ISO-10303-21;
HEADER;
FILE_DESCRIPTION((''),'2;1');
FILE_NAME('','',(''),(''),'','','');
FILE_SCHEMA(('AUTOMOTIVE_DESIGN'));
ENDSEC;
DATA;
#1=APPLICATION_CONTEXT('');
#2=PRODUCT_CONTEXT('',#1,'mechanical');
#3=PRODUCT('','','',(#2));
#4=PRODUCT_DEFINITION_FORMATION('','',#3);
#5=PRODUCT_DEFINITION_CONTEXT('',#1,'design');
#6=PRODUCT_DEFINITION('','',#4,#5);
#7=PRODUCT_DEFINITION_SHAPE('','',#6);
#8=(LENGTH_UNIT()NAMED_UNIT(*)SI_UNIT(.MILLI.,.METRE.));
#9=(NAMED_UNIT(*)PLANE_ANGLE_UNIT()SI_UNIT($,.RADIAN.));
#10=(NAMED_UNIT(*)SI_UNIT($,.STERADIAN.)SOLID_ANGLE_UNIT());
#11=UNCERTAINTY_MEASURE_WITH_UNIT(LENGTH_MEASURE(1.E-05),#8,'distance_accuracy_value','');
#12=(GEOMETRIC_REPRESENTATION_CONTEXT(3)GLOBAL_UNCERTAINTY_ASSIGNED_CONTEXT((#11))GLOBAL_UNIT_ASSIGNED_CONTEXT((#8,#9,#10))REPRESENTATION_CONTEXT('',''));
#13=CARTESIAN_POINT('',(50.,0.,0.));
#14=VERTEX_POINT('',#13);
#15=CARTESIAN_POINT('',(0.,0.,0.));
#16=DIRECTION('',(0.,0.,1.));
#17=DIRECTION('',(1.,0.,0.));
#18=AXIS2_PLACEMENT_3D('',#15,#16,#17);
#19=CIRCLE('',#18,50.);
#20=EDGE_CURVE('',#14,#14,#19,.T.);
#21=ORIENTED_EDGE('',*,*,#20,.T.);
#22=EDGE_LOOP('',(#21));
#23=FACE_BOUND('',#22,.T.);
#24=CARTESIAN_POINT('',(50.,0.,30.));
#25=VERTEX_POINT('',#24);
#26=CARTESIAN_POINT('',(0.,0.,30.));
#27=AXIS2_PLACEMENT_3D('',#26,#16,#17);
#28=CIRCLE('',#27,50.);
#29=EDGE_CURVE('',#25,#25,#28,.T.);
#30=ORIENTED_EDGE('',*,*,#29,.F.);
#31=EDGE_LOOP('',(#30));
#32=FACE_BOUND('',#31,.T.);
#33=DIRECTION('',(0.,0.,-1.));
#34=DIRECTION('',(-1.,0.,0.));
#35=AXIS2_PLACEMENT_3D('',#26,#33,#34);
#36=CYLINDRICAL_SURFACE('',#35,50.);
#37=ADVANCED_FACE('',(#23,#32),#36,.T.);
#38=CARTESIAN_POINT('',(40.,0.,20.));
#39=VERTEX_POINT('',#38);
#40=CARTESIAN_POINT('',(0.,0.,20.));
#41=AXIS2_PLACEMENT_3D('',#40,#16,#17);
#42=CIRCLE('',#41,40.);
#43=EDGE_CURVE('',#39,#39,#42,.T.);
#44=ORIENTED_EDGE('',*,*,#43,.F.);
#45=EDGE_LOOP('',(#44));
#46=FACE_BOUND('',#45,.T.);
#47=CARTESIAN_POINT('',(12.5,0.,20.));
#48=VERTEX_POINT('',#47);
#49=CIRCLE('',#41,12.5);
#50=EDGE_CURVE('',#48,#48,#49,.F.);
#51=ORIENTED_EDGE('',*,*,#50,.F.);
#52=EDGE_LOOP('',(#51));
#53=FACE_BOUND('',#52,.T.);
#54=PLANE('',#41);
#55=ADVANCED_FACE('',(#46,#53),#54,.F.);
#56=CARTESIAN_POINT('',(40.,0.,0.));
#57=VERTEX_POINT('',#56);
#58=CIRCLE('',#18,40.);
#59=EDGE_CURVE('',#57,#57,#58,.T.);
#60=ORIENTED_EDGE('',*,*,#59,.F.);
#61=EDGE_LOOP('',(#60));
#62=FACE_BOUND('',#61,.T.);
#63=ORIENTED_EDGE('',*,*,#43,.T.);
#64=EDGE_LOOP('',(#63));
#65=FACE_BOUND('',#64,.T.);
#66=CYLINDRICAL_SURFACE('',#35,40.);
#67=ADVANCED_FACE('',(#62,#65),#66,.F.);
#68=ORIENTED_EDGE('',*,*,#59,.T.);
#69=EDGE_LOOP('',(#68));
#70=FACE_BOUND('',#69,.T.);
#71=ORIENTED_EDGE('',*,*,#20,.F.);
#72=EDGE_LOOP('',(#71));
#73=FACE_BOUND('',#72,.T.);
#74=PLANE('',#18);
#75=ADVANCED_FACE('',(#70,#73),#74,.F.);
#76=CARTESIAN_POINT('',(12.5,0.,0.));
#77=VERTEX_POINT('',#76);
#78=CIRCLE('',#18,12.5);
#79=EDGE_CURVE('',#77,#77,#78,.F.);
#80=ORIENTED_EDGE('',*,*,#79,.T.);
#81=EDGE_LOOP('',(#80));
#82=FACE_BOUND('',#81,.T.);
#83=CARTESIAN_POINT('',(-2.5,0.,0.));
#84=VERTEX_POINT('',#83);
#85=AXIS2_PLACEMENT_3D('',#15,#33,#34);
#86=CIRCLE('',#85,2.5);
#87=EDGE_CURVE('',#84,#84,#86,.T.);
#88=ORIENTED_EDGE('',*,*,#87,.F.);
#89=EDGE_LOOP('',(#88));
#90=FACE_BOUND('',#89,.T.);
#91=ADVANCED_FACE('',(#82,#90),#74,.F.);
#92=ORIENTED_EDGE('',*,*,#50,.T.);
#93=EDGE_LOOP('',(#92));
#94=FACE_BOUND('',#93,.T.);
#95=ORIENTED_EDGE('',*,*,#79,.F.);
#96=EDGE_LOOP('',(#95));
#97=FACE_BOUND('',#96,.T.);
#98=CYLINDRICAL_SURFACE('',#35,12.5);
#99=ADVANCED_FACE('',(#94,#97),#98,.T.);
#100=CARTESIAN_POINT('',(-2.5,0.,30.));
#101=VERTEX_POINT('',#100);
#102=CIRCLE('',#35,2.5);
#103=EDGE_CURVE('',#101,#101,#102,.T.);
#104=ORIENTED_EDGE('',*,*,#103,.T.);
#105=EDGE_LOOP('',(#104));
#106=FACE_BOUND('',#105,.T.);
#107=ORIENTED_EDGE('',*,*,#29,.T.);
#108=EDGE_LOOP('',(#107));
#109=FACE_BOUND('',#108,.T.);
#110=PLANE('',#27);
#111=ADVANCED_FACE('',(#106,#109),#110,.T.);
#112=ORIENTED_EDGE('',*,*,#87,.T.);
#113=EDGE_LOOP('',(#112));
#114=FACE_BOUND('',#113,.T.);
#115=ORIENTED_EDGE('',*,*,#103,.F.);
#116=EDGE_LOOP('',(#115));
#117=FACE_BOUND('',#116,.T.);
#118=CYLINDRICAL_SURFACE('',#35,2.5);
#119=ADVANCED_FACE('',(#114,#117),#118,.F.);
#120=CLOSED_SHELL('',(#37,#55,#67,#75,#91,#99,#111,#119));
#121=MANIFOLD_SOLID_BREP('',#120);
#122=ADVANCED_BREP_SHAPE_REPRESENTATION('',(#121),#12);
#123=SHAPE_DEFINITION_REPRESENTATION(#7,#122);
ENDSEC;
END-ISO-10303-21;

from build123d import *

# Parameters (mm, degrees)
SKETCH1_R           = 50
BOSS_EXTRUDE1_DEPTH = 30
SKETCH2_R           = 2.5
CUT_EXTRUDE1_DEPTH  = 31
SHELL1_T            = -10


with BuildPart() as part:
    # Sketch1 → Boss-Extrude1 (new body)
    with BuildSketch(Plane.XY):
        Circle(SKETCH1_R)
    extrude(amount=BOSS_EXTRUDE1_DEPTH)

    # Sketch2 → Cut-Extrude1 (cut, through all)
    with BuildSketch(Plane(origin=(0, 0, 0), x_dir=(-1, 0, 0), z_dir=(0, 0, -1))):
        Circle(SKETCH2_R)
    extrude(amount=-CUT_EXTRUDE1_DEPTH, mode=Mode.SUBTRACT)

    # Shell1
    shell1_openings = [part.faces().sort_by_distance(p)[0] for p in [
        (-2.5, 0, 0),
    ]]
    offset(amount=SHELL1_T, openings=shell1_openings, kind=Kind.INTERSECTION)


solid = part.part
